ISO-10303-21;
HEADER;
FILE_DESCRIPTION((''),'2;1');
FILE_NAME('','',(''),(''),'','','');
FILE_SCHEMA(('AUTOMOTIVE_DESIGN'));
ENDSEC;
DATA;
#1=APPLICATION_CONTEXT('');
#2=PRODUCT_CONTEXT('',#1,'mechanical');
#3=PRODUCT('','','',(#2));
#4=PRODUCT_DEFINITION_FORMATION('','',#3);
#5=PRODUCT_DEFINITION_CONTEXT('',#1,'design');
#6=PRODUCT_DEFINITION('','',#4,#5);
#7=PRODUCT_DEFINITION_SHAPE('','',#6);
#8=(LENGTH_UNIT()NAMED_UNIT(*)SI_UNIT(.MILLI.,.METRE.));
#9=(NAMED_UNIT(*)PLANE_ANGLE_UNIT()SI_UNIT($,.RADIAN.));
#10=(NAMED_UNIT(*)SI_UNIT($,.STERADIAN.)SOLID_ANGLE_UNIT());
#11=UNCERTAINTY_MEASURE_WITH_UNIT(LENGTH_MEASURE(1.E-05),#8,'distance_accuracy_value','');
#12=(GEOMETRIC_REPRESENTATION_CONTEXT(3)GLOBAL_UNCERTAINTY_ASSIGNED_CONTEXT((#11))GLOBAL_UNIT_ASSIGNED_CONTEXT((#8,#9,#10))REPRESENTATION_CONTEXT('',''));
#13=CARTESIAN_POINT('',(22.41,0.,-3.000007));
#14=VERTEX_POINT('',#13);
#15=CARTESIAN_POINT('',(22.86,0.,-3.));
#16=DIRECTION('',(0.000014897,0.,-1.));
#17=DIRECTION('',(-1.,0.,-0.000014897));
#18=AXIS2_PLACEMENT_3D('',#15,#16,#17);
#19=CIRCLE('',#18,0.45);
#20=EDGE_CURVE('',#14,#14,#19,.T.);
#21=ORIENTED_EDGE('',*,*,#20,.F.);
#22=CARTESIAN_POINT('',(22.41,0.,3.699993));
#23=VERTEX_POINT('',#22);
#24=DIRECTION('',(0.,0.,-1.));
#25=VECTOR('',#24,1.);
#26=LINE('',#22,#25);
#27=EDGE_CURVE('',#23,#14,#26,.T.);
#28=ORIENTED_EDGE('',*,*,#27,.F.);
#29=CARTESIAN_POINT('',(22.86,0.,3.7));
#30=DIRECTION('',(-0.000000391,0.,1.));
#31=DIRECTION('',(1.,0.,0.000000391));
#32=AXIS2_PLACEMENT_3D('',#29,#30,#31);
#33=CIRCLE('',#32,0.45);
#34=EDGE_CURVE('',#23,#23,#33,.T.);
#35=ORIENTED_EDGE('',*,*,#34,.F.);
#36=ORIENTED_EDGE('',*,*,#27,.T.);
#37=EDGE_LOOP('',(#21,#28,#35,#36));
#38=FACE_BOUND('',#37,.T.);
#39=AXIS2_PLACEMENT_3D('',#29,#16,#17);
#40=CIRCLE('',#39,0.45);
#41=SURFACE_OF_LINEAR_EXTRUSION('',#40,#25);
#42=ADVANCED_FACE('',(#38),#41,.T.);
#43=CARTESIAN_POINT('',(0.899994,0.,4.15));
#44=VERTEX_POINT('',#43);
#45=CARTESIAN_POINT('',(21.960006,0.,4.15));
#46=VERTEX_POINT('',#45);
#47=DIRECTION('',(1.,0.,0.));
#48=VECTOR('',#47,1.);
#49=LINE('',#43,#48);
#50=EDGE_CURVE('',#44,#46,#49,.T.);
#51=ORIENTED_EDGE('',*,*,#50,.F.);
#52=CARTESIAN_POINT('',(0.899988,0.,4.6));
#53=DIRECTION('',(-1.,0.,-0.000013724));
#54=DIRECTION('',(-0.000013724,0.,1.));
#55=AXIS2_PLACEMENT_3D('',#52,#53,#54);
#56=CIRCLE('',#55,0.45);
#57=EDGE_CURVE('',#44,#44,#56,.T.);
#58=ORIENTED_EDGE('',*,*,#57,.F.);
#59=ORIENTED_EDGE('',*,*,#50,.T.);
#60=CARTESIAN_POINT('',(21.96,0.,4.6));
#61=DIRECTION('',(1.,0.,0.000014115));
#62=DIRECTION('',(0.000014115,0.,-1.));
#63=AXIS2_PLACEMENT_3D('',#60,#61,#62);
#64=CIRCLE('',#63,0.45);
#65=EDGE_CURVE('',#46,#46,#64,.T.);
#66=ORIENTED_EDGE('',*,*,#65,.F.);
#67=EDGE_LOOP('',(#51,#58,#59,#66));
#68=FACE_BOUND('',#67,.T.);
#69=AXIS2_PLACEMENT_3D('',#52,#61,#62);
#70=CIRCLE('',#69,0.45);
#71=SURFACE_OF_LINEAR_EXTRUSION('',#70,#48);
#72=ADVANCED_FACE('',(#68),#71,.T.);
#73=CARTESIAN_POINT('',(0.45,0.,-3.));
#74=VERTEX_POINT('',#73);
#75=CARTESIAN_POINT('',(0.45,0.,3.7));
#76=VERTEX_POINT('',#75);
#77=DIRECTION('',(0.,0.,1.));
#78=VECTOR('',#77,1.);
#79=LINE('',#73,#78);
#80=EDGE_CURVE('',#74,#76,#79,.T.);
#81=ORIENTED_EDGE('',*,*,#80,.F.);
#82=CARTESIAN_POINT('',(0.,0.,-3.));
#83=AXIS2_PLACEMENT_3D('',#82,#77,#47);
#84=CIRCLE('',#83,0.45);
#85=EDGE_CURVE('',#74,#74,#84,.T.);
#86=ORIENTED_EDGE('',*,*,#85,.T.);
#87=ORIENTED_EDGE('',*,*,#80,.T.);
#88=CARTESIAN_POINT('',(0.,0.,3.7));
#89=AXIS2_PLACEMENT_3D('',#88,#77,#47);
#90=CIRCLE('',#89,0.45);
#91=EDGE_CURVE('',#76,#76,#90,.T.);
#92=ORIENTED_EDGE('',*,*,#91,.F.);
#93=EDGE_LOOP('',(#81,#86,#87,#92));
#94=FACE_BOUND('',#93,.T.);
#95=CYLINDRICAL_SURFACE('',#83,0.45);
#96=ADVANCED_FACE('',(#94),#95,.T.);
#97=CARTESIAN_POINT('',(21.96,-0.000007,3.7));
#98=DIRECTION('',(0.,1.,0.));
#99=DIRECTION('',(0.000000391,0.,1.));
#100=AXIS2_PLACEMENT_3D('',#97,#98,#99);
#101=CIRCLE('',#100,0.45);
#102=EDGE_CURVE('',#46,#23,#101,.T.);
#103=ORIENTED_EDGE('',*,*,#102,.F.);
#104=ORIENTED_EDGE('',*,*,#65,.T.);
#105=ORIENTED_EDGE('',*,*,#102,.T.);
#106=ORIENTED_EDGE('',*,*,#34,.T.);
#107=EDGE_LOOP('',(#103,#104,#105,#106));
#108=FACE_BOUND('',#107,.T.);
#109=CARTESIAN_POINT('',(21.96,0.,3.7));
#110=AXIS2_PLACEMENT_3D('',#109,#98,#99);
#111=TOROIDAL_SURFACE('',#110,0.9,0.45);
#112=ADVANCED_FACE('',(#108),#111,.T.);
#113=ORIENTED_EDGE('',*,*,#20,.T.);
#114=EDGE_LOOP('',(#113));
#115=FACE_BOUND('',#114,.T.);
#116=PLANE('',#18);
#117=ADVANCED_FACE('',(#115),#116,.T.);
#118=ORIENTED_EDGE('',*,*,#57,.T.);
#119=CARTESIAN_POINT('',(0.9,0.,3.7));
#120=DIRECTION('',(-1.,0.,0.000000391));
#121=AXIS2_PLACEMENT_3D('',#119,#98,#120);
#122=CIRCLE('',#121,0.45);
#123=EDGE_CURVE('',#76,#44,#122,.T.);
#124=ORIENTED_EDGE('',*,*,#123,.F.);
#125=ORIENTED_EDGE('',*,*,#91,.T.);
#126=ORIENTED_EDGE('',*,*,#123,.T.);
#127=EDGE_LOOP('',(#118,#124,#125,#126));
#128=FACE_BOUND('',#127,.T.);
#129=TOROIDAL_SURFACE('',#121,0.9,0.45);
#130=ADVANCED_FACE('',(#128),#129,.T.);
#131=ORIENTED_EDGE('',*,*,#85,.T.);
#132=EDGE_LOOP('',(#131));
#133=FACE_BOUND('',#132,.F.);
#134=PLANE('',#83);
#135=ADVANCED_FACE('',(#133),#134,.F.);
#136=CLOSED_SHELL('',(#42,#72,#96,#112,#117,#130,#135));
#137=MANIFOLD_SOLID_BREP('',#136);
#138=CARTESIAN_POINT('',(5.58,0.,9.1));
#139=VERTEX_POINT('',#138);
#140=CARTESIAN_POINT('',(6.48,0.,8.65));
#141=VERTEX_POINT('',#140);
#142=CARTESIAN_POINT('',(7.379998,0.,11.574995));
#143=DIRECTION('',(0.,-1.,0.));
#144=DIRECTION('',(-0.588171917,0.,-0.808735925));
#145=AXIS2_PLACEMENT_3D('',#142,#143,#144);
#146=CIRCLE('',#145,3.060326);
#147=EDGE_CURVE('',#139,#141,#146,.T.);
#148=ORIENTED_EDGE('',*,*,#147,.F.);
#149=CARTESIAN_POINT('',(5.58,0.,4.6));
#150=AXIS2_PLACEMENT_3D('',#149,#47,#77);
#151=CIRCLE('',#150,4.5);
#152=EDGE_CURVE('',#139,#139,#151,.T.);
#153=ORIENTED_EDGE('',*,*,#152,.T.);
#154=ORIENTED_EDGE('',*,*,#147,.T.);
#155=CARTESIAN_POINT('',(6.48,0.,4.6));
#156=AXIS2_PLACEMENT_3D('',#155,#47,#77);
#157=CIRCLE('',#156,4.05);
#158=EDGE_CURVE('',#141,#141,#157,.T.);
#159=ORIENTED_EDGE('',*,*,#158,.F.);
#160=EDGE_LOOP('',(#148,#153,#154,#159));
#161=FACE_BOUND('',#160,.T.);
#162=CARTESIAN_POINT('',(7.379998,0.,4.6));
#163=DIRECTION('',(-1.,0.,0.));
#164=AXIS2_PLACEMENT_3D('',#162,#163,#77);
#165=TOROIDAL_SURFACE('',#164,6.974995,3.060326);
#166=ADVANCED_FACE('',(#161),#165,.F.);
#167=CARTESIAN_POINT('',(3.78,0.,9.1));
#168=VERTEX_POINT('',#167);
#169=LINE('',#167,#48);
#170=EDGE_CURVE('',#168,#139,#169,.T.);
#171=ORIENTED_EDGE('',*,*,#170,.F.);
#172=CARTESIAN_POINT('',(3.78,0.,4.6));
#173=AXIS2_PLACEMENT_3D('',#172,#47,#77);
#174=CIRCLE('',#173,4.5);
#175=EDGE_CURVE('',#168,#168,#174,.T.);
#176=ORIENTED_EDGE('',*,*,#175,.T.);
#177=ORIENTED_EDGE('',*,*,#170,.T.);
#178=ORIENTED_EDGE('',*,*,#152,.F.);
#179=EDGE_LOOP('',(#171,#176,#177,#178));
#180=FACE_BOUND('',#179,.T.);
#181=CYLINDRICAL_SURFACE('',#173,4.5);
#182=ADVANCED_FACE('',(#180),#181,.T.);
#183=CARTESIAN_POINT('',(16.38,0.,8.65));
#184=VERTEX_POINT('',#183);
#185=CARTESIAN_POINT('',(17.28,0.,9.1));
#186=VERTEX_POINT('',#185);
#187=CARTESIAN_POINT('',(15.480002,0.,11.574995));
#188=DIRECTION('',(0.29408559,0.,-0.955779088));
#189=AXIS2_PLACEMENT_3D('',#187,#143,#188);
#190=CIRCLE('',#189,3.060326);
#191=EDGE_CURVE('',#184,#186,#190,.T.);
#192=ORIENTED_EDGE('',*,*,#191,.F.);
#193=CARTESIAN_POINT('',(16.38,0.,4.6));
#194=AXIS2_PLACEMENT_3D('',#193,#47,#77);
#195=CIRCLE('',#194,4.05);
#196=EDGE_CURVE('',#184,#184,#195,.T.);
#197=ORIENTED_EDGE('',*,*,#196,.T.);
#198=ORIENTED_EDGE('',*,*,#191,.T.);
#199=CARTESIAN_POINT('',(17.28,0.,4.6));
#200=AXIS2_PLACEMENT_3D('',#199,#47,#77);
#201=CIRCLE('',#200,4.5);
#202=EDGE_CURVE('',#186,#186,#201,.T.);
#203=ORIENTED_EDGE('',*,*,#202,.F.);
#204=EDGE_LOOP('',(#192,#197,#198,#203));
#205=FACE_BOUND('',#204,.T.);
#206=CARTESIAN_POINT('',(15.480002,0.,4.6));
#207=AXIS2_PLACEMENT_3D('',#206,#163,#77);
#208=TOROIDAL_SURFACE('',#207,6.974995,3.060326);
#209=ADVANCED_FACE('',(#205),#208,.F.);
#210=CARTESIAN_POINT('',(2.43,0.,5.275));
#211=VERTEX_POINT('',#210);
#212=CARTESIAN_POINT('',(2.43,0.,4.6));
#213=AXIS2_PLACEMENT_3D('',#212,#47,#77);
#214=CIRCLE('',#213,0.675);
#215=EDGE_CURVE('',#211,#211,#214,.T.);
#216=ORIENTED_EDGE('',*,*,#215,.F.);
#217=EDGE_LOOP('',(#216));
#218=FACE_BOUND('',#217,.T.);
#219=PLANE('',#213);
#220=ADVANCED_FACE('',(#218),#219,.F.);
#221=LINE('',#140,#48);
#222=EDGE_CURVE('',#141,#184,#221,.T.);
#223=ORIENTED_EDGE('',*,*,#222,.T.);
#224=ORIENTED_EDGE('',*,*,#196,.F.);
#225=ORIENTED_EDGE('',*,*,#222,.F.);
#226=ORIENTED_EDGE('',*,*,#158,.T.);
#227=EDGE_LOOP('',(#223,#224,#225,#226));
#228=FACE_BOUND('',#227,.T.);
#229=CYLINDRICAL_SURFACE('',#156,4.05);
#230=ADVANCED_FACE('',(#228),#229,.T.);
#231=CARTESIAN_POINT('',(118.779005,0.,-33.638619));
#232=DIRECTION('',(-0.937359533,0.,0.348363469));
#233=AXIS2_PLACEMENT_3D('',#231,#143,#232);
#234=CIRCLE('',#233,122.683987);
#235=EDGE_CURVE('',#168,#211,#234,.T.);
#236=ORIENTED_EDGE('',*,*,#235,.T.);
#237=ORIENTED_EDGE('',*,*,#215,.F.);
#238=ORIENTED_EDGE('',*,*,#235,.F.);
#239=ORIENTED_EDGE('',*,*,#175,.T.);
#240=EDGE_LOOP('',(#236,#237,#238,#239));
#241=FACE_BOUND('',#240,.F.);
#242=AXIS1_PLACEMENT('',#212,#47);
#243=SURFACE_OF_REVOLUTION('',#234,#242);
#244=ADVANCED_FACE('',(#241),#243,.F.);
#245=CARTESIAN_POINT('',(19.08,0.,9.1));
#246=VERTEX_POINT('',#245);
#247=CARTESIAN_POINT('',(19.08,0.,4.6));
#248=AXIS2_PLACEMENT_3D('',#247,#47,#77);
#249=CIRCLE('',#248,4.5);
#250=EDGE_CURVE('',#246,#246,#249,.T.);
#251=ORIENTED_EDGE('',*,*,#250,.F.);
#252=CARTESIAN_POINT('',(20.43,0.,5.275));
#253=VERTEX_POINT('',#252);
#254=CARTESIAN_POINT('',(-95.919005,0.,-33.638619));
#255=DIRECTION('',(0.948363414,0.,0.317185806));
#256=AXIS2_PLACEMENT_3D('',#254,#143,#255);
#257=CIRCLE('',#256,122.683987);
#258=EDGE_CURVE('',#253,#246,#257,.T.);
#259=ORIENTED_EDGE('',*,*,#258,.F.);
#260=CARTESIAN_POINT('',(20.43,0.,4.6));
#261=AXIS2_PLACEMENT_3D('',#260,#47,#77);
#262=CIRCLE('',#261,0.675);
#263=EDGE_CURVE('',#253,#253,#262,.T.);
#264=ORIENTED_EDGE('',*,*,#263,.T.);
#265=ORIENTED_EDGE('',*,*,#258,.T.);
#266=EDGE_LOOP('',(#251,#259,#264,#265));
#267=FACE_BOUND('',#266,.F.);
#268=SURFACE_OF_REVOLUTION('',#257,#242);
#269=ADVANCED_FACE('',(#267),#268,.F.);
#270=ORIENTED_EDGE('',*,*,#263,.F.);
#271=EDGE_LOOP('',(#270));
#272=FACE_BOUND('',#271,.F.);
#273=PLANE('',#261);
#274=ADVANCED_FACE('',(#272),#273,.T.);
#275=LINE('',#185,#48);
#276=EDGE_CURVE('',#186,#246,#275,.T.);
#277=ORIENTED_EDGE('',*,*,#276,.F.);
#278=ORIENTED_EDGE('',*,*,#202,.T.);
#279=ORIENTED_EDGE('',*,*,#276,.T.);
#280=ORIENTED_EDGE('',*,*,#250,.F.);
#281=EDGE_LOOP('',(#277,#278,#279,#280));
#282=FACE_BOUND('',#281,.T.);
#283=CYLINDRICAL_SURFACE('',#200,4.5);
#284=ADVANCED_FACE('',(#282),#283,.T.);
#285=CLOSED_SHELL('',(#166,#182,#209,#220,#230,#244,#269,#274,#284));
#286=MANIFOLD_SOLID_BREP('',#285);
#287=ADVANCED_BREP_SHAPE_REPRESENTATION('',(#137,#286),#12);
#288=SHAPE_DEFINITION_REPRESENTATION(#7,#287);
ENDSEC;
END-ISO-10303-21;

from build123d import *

# Parameters (mm, degrees)
SKETCH_R = 0.45


with BuildPart() as revolution:
    # Sketch002 → Revolution (revolve)
    with BuildSketch(Plane.XZ):
        with BuildLine():
            Line((3.78, 9.1), (5.58, 9.1))
            ThreePointArc((5.58, 9.1), (6.011378, 8.837757), (6.48, 8.65))
            Line((6.48, 8.65), (16.38, 8.65))
            ThreePointArc((16.38, 8.65), (16.848622, 8.837757), (17.28, 9.1))
            Line((17.28, 9.1), (19.08, 9.1))
            ThreePointArc((20.43, 5.275), (19.770809, 7.19308), (19.08, 9.1))
            Line((20.43, 4.6), (20.43, 5.275))
            Line((2.43, 4.6), (20.43, 4.6))
            Line((2.43, 4.6), (2.43, 5.275))
            ThreePointArc((3.78, 9.1), (3.089191, 7.19308), (2.43, 5.275))
        make_face()
    revolve(axis=Axis((2.43, 0, 4.6), (1, 0, 0)))


with BuildPart() as sweep_body:
    # Sweep: sweep along a path in Sketch001
    with BuildLine(Plane.XZ) as sweep_path:
        Line((0, -3), (0, 3.7))
        ThreePointArc((0, 3.7), (0.2636, 4.336392), (0.899988, 4.6))
        Line((0.899988, 4.6), (21.96, 4.6))
        ThreePointArc((21.96, 4.6), (22.596396, 4.336396), (22.86, 3.7))
        Line((22.86, 3.7), (22.86, -3))
    # Sketch → Sweep (sweep)
    with BuildSketch(Plane.XY.offset(-2)):
        Circle(SKETCH_R)
    sweep(path=sweep_path.line)


solid = Compound([revolution.part, sweep_body.part])
